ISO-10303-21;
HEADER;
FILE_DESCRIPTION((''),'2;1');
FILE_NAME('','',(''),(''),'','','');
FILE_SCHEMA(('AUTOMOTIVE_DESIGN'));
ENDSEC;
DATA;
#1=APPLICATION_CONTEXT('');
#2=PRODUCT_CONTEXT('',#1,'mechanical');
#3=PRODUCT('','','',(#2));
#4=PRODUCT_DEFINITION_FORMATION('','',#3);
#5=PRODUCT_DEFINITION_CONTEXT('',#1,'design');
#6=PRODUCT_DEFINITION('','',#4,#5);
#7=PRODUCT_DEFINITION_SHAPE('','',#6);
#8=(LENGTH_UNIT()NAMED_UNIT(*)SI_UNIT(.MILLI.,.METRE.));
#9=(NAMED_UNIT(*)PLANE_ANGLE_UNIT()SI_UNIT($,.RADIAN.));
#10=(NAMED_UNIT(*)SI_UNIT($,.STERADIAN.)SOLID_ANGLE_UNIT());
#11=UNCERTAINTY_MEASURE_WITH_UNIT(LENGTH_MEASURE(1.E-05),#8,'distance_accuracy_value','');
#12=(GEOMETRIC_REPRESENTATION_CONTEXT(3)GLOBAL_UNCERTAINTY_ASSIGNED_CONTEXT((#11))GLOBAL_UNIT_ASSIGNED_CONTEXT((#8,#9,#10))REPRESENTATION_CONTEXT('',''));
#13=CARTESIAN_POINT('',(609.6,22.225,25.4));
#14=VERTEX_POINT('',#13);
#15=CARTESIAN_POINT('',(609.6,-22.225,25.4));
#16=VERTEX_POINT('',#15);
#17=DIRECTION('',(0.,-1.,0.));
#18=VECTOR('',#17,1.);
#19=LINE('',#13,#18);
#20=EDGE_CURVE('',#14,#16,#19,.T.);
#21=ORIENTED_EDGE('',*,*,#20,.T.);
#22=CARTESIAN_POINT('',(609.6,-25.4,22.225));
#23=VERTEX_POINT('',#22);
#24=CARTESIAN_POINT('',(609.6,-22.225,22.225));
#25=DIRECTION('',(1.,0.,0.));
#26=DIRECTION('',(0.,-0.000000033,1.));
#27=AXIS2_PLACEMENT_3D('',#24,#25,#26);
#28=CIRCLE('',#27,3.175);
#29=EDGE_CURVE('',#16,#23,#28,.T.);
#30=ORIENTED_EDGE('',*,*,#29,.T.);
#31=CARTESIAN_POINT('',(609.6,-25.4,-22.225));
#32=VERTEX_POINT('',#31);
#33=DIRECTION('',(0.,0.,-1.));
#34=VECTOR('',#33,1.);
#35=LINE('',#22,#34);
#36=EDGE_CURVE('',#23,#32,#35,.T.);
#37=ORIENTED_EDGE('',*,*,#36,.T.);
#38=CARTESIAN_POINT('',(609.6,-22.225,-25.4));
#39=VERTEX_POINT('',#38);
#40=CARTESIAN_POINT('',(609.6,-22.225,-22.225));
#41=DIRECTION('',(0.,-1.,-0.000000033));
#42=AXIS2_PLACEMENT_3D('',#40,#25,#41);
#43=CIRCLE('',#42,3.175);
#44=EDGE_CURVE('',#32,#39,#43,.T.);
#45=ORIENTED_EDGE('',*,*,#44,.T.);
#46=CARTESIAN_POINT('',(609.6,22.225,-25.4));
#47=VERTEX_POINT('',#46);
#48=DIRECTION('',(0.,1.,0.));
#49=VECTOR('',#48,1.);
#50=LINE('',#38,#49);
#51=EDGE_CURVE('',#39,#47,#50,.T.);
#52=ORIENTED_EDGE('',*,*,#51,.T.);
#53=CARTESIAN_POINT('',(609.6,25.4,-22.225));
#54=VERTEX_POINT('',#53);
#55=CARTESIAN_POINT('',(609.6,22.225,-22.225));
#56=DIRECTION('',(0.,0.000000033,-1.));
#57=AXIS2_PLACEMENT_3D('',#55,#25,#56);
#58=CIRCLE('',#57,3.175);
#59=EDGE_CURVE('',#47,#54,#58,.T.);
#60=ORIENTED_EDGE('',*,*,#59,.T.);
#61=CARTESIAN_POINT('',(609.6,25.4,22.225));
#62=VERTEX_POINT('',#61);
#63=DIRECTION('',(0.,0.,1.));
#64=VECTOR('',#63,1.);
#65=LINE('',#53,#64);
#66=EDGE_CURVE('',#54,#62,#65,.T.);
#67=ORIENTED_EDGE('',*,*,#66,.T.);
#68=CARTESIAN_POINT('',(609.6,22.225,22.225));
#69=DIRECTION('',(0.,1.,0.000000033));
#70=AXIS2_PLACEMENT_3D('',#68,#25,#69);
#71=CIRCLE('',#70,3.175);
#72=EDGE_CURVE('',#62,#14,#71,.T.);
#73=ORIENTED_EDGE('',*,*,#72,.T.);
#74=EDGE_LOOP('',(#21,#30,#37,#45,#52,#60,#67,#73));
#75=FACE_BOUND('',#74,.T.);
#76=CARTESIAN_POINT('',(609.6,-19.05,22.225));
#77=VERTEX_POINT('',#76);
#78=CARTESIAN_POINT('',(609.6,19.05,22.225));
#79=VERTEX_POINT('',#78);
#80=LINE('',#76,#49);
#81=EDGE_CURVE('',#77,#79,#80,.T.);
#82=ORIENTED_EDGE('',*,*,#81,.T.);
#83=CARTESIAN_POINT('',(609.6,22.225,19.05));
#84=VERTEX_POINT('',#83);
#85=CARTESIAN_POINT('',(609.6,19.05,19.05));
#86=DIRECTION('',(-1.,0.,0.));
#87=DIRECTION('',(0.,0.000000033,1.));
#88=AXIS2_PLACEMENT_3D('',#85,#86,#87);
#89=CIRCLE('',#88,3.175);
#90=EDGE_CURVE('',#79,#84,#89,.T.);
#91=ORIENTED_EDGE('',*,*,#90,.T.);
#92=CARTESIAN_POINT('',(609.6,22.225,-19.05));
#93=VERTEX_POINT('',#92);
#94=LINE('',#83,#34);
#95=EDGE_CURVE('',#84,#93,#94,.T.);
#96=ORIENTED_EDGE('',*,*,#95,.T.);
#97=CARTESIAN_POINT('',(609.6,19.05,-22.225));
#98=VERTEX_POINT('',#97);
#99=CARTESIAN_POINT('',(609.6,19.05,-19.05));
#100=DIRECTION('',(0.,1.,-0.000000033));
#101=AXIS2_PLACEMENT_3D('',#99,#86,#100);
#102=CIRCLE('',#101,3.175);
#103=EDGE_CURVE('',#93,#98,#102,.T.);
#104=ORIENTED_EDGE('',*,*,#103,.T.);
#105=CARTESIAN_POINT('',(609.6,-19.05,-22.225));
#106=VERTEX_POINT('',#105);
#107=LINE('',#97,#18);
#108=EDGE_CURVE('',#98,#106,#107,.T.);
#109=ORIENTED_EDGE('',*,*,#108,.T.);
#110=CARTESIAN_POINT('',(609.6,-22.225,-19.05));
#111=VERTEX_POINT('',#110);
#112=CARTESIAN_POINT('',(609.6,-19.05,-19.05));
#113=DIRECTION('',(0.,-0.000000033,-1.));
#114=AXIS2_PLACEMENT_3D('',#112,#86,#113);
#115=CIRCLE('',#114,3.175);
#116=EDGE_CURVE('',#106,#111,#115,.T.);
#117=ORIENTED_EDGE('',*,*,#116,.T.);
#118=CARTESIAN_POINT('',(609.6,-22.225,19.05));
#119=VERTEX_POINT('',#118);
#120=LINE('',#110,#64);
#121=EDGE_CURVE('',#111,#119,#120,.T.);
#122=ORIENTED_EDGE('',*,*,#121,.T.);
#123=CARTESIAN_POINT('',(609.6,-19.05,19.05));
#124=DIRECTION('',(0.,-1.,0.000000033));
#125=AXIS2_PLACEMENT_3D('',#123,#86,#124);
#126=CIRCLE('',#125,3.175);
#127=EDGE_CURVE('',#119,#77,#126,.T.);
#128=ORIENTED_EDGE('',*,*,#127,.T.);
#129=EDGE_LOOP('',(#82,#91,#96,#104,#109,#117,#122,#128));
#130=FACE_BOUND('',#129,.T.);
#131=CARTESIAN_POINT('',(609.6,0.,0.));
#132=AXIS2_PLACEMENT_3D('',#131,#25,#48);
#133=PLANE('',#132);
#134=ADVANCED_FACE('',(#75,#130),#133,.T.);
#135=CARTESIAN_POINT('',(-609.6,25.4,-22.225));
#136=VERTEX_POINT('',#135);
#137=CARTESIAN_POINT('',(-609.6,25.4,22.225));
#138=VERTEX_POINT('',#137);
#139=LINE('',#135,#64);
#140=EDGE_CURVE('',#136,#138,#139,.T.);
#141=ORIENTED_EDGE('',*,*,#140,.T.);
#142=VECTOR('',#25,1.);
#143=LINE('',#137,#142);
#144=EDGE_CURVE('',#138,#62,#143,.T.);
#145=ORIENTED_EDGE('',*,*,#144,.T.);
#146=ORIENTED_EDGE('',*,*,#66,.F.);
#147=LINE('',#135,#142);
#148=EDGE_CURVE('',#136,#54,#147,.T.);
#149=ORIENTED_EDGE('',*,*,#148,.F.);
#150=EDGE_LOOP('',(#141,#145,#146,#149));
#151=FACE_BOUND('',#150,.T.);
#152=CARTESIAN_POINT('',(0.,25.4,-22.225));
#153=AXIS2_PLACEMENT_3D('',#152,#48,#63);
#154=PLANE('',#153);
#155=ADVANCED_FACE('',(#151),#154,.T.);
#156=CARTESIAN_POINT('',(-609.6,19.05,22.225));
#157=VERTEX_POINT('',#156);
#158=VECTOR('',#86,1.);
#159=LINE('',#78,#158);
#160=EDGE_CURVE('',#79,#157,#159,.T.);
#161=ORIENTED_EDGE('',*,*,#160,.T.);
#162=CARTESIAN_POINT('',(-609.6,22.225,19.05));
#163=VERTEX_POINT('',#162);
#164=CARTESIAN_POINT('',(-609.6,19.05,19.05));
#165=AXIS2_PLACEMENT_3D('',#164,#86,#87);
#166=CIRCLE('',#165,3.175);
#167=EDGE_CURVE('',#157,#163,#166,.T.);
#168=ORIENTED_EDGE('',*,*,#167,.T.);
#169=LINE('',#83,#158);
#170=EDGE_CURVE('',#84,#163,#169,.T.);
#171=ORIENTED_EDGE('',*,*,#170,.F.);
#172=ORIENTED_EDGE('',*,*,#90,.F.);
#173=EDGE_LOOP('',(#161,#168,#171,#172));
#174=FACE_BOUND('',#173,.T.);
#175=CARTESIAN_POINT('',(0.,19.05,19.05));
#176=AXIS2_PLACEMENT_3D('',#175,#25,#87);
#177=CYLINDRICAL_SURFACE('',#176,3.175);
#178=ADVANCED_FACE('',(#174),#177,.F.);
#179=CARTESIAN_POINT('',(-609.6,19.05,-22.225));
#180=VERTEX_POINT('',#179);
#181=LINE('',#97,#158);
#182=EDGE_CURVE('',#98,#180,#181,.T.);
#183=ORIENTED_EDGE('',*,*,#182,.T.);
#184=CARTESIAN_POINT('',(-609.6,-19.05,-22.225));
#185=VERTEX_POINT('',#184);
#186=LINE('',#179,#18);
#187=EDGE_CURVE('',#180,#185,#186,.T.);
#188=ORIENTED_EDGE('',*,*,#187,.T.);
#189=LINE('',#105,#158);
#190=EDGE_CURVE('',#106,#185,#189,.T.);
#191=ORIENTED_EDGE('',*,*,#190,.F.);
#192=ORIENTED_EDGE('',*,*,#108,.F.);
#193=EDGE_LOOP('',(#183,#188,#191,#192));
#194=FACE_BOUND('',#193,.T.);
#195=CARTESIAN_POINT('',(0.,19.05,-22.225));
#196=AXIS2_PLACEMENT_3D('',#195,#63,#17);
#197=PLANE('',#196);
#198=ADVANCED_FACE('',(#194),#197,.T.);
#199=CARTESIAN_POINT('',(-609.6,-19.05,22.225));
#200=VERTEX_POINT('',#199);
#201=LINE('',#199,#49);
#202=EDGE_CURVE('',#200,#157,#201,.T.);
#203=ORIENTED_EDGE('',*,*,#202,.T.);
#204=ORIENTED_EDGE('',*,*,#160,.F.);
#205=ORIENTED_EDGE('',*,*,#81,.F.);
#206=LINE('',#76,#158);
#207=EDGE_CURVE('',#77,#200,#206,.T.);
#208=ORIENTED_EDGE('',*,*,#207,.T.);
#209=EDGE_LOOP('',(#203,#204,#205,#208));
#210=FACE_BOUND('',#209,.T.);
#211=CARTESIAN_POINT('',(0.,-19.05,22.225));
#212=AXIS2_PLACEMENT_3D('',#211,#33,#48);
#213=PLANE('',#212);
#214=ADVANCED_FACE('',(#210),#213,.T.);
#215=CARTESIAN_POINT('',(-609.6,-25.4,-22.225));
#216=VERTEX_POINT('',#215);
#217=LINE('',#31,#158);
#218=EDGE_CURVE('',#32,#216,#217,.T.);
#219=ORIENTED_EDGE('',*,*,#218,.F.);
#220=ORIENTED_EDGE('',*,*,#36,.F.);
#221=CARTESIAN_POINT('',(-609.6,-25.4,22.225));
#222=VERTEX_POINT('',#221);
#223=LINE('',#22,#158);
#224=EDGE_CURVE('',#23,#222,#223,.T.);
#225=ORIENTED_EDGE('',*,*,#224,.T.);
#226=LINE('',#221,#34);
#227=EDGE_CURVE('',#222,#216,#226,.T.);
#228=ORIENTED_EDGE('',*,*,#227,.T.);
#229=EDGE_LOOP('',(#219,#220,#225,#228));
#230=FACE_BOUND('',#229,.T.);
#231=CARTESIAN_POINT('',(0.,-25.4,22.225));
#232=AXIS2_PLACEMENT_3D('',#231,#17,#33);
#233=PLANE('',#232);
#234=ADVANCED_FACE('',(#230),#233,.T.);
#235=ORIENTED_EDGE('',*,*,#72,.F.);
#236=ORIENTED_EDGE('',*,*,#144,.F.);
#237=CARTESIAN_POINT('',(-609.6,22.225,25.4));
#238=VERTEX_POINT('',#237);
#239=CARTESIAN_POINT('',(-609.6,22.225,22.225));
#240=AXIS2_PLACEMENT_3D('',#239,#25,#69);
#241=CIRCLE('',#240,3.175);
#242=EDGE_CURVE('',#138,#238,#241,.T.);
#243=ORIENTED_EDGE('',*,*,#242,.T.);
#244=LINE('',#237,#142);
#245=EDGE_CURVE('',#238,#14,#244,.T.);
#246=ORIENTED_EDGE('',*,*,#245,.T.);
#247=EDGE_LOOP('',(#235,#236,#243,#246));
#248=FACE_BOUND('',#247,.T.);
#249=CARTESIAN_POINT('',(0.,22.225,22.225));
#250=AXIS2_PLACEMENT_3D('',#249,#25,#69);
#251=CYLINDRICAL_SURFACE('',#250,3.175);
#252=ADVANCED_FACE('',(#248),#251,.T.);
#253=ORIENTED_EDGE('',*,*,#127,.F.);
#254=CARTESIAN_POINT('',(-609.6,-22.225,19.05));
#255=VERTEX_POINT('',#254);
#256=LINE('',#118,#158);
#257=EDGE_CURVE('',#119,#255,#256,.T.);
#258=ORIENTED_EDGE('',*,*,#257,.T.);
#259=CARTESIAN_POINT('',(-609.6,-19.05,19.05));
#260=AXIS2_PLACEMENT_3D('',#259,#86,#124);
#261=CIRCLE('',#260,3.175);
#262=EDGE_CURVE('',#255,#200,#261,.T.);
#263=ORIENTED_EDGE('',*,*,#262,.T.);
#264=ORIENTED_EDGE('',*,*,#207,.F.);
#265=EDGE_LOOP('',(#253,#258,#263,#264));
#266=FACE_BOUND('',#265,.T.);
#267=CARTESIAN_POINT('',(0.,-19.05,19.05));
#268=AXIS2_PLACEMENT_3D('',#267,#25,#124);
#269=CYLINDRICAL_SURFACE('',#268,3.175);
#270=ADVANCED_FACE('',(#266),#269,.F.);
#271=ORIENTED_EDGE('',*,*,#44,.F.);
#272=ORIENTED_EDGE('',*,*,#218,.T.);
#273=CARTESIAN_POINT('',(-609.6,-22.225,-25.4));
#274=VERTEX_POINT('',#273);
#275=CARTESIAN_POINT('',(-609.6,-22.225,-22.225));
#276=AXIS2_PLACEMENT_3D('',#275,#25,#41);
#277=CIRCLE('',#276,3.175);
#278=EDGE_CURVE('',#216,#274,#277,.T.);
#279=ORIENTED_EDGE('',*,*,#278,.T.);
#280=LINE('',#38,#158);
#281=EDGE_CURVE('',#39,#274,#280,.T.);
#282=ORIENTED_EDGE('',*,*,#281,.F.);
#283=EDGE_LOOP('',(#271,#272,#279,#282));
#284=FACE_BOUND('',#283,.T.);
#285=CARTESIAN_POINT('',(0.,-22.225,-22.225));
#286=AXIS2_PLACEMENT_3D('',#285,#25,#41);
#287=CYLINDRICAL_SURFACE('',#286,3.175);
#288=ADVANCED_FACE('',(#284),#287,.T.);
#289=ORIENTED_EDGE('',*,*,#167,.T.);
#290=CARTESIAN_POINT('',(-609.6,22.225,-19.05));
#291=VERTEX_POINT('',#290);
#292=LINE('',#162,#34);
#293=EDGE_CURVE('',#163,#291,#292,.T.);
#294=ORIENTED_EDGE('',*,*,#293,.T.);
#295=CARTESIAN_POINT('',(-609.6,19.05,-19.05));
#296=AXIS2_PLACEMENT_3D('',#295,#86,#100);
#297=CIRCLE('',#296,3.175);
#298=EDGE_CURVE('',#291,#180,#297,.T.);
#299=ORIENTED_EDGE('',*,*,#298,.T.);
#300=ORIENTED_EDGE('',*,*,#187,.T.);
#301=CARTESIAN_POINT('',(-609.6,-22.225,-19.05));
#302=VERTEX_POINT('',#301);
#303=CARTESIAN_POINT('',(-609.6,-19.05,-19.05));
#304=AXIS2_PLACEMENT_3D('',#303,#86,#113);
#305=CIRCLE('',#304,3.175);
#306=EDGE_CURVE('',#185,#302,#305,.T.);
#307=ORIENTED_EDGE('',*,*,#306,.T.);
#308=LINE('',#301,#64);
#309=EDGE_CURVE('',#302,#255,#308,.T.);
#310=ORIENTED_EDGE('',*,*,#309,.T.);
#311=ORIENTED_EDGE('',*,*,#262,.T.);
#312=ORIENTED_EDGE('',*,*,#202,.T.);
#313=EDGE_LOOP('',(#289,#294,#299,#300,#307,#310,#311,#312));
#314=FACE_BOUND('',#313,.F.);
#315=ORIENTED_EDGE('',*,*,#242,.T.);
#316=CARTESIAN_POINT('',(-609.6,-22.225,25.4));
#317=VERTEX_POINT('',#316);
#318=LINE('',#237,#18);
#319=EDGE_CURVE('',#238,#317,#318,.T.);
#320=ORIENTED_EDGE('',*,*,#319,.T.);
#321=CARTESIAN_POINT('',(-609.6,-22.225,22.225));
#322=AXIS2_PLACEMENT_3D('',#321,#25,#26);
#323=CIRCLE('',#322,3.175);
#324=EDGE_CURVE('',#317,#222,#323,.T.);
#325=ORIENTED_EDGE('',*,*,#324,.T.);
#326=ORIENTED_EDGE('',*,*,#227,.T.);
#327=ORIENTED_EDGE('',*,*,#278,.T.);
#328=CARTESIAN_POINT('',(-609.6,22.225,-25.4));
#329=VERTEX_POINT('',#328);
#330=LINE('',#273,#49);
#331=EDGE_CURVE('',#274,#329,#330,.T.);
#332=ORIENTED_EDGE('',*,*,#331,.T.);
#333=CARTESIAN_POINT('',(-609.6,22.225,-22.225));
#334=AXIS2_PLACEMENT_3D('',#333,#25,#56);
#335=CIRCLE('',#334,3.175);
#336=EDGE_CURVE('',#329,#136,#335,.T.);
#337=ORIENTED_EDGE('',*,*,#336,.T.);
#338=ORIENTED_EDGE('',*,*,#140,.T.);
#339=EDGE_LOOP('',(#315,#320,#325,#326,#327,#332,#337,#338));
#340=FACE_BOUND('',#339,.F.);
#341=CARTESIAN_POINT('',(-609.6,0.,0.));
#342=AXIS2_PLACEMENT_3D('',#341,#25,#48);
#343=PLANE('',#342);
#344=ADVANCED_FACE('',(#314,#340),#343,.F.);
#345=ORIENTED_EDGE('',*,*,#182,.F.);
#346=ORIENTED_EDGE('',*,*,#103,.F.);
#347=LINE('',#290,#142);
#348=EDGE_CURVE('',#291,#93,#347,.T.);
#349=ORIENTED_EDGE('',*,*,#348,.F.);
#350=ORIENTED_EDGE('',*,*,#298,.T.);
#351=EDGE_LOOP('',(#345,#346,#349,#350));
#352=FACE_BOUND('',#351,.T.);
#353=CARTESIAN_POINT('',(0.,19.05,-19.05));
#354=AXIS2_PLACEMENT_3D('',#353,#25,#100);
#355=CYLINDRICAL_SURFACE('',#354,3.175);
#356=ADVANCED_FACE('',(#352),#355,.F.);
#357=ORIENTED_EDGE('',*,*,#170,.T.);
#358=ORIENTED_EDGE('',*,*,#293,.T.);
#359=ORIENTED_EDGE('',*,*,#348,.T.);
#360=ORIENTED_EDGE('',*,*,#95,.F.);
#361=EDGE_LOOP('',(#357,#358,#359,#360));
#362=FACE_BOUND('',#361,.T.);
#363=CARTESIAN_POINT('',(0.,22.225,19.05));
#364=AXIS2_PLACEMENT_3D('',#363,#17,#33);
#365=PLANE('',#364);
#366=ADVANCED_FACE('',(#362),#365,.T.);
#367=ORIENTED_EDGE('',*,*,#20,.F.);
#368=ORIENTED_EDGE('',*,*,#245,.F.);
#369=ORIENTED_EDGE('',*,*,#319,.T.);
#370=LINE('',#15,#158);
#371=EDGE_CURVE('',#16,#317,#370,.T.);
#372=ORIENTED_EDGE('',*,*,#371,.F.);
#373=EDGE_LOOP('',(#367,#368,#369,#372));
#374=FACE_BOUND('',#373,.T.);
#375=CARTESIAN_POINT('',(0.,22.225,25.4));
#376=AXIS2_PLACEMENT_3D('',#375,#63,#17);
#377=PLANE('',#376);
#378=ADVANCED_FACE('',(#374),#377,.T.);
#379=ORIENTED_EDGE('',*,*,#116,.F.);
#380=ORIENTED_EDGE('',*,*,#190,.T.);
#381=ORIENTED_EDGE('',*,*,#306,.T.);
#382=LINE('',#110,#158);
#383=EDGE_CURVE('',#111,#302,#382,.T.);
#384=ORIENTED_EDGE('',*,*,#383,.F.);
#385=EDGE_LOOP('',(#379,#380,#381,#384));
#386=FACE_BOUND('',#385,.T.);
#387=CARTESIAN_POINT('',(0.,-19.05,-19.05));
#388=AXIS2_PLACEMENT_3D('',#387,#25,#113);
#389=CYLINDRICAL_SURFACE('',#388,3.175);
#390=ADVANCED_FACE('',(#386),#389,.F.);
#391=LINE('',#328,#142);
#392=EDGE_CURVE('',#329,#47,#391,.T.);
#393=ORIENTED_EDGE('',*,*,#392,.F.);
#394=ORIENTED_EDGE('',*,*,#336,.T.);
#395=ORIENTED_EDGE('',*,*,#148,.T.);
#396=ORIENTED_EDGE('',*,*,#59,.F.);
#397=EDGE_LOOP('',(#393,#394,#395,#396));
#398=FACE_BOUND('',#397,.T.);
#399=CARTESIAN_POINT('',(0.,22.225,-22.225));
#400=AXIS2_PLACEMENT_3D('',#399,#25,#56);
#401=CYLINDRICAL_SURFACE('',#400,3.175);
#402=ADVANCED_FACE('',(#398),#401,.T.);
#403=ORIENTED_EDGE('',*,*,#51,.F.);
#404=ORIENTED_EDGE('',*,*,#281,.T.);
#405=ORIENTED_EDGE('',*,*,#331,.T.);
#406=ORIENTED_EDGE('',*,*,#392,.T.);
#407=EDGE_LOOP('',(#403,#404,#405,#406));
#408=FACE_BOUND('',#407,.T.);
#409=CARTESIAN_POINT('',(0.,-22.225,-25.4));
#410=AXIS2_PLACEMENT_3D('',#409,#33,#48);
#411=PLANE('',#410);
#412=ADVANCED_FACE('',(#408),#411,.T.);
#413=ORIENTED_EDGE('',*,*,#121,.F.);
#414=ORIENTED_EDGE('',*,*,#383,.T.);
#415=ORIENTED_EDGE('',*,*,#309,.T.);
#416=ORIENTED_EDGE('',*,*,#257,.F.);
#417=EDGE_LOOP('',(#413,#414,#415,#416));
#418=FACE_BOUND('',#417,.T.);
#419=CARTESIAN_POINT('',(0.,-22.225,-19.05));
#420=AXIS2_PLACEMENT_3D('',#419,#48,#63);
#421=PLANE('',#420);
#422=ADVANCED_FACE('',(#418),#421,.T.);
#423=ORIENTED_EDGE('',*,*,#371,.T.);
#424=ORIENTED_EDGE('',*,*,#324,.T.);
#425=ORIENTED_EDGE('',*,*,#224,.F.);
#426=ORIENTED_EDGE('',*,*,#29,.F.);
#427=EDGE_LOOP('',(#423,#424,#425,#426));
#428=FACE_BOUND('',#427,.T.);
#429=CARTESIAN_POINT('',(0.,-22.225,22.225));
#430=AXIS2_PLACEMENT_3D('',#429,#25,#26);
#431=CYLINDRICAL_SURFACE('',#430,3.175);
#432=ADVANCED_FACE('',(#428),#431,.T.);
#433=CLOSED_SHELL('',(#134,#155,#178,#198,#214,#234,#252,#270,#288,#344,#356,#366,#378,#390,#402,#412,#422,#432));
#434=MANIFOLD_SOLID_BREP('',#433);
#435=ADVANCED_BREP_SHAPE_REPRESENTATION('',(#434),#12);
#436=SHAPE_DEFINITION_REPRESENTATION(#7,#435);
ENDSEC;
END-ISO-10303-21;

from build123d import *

# Parameters (mm, degrees)
F1_DEPTH = 609.6


with BuildPart() as f1:
    # F0 (on Right) → F1 (new body, symmetric)
    with BuildSketch(Plane.YZ):
        with BuildLine():
            Line((-22.225, -25.4), (22.225, -25.4))
            ThreePointArc((22.225, -25.4), (24.470064, -24.470064), (25.4, -22.225))
            Line((25.4, -22.225), (25.4, 22.225))
            ThreePointArc((25.4, 22.225), (24.470064, 24.470064), (22.225, 25.4))
            Line((22.225, 25.4), (-22.225, 25.4))
            ThreePointArc((-22.225, 25.4), (-24.470064, 24.470064), (-25.4, 22.225))
            Line((-25.4, 22.225), (-25.4, -22.225))
            ThreePointArc((-25.4, -22.225), (-24.470064, -24.470064), (-22.225, -25.4))
        make_face()
        with BuildLine():
            ThreePointArc((22.225, -19.05), (21.295064, -21.295064), (19.05, -22.225))
            Line((19.05, -22.225), (-19.05, -22.225))
            ThreePointArc((-19.05, -22.225), (-21.295064, -21.295064), (-22.225, -19.05))
            Line((-22.225, -19.05), (-22.225, 19.05))
            ThreePointArc((-22.225, 19.05), (-21.295064, 21.295064), (-19.05, 22.225))
            Line((-19.05, 22.225), (19.05, 22.225))
            ThreePointArc((19.05, 22.225), (21.295064, 21.295064), (22.225, 19.05))
            Line((22.225, 19.05), (22.225, -19.05))
        make_face(mode=Mode.SUBTRACT)
    extrude(amount=F1_DEPTH, both=True)


solid = f1.part
